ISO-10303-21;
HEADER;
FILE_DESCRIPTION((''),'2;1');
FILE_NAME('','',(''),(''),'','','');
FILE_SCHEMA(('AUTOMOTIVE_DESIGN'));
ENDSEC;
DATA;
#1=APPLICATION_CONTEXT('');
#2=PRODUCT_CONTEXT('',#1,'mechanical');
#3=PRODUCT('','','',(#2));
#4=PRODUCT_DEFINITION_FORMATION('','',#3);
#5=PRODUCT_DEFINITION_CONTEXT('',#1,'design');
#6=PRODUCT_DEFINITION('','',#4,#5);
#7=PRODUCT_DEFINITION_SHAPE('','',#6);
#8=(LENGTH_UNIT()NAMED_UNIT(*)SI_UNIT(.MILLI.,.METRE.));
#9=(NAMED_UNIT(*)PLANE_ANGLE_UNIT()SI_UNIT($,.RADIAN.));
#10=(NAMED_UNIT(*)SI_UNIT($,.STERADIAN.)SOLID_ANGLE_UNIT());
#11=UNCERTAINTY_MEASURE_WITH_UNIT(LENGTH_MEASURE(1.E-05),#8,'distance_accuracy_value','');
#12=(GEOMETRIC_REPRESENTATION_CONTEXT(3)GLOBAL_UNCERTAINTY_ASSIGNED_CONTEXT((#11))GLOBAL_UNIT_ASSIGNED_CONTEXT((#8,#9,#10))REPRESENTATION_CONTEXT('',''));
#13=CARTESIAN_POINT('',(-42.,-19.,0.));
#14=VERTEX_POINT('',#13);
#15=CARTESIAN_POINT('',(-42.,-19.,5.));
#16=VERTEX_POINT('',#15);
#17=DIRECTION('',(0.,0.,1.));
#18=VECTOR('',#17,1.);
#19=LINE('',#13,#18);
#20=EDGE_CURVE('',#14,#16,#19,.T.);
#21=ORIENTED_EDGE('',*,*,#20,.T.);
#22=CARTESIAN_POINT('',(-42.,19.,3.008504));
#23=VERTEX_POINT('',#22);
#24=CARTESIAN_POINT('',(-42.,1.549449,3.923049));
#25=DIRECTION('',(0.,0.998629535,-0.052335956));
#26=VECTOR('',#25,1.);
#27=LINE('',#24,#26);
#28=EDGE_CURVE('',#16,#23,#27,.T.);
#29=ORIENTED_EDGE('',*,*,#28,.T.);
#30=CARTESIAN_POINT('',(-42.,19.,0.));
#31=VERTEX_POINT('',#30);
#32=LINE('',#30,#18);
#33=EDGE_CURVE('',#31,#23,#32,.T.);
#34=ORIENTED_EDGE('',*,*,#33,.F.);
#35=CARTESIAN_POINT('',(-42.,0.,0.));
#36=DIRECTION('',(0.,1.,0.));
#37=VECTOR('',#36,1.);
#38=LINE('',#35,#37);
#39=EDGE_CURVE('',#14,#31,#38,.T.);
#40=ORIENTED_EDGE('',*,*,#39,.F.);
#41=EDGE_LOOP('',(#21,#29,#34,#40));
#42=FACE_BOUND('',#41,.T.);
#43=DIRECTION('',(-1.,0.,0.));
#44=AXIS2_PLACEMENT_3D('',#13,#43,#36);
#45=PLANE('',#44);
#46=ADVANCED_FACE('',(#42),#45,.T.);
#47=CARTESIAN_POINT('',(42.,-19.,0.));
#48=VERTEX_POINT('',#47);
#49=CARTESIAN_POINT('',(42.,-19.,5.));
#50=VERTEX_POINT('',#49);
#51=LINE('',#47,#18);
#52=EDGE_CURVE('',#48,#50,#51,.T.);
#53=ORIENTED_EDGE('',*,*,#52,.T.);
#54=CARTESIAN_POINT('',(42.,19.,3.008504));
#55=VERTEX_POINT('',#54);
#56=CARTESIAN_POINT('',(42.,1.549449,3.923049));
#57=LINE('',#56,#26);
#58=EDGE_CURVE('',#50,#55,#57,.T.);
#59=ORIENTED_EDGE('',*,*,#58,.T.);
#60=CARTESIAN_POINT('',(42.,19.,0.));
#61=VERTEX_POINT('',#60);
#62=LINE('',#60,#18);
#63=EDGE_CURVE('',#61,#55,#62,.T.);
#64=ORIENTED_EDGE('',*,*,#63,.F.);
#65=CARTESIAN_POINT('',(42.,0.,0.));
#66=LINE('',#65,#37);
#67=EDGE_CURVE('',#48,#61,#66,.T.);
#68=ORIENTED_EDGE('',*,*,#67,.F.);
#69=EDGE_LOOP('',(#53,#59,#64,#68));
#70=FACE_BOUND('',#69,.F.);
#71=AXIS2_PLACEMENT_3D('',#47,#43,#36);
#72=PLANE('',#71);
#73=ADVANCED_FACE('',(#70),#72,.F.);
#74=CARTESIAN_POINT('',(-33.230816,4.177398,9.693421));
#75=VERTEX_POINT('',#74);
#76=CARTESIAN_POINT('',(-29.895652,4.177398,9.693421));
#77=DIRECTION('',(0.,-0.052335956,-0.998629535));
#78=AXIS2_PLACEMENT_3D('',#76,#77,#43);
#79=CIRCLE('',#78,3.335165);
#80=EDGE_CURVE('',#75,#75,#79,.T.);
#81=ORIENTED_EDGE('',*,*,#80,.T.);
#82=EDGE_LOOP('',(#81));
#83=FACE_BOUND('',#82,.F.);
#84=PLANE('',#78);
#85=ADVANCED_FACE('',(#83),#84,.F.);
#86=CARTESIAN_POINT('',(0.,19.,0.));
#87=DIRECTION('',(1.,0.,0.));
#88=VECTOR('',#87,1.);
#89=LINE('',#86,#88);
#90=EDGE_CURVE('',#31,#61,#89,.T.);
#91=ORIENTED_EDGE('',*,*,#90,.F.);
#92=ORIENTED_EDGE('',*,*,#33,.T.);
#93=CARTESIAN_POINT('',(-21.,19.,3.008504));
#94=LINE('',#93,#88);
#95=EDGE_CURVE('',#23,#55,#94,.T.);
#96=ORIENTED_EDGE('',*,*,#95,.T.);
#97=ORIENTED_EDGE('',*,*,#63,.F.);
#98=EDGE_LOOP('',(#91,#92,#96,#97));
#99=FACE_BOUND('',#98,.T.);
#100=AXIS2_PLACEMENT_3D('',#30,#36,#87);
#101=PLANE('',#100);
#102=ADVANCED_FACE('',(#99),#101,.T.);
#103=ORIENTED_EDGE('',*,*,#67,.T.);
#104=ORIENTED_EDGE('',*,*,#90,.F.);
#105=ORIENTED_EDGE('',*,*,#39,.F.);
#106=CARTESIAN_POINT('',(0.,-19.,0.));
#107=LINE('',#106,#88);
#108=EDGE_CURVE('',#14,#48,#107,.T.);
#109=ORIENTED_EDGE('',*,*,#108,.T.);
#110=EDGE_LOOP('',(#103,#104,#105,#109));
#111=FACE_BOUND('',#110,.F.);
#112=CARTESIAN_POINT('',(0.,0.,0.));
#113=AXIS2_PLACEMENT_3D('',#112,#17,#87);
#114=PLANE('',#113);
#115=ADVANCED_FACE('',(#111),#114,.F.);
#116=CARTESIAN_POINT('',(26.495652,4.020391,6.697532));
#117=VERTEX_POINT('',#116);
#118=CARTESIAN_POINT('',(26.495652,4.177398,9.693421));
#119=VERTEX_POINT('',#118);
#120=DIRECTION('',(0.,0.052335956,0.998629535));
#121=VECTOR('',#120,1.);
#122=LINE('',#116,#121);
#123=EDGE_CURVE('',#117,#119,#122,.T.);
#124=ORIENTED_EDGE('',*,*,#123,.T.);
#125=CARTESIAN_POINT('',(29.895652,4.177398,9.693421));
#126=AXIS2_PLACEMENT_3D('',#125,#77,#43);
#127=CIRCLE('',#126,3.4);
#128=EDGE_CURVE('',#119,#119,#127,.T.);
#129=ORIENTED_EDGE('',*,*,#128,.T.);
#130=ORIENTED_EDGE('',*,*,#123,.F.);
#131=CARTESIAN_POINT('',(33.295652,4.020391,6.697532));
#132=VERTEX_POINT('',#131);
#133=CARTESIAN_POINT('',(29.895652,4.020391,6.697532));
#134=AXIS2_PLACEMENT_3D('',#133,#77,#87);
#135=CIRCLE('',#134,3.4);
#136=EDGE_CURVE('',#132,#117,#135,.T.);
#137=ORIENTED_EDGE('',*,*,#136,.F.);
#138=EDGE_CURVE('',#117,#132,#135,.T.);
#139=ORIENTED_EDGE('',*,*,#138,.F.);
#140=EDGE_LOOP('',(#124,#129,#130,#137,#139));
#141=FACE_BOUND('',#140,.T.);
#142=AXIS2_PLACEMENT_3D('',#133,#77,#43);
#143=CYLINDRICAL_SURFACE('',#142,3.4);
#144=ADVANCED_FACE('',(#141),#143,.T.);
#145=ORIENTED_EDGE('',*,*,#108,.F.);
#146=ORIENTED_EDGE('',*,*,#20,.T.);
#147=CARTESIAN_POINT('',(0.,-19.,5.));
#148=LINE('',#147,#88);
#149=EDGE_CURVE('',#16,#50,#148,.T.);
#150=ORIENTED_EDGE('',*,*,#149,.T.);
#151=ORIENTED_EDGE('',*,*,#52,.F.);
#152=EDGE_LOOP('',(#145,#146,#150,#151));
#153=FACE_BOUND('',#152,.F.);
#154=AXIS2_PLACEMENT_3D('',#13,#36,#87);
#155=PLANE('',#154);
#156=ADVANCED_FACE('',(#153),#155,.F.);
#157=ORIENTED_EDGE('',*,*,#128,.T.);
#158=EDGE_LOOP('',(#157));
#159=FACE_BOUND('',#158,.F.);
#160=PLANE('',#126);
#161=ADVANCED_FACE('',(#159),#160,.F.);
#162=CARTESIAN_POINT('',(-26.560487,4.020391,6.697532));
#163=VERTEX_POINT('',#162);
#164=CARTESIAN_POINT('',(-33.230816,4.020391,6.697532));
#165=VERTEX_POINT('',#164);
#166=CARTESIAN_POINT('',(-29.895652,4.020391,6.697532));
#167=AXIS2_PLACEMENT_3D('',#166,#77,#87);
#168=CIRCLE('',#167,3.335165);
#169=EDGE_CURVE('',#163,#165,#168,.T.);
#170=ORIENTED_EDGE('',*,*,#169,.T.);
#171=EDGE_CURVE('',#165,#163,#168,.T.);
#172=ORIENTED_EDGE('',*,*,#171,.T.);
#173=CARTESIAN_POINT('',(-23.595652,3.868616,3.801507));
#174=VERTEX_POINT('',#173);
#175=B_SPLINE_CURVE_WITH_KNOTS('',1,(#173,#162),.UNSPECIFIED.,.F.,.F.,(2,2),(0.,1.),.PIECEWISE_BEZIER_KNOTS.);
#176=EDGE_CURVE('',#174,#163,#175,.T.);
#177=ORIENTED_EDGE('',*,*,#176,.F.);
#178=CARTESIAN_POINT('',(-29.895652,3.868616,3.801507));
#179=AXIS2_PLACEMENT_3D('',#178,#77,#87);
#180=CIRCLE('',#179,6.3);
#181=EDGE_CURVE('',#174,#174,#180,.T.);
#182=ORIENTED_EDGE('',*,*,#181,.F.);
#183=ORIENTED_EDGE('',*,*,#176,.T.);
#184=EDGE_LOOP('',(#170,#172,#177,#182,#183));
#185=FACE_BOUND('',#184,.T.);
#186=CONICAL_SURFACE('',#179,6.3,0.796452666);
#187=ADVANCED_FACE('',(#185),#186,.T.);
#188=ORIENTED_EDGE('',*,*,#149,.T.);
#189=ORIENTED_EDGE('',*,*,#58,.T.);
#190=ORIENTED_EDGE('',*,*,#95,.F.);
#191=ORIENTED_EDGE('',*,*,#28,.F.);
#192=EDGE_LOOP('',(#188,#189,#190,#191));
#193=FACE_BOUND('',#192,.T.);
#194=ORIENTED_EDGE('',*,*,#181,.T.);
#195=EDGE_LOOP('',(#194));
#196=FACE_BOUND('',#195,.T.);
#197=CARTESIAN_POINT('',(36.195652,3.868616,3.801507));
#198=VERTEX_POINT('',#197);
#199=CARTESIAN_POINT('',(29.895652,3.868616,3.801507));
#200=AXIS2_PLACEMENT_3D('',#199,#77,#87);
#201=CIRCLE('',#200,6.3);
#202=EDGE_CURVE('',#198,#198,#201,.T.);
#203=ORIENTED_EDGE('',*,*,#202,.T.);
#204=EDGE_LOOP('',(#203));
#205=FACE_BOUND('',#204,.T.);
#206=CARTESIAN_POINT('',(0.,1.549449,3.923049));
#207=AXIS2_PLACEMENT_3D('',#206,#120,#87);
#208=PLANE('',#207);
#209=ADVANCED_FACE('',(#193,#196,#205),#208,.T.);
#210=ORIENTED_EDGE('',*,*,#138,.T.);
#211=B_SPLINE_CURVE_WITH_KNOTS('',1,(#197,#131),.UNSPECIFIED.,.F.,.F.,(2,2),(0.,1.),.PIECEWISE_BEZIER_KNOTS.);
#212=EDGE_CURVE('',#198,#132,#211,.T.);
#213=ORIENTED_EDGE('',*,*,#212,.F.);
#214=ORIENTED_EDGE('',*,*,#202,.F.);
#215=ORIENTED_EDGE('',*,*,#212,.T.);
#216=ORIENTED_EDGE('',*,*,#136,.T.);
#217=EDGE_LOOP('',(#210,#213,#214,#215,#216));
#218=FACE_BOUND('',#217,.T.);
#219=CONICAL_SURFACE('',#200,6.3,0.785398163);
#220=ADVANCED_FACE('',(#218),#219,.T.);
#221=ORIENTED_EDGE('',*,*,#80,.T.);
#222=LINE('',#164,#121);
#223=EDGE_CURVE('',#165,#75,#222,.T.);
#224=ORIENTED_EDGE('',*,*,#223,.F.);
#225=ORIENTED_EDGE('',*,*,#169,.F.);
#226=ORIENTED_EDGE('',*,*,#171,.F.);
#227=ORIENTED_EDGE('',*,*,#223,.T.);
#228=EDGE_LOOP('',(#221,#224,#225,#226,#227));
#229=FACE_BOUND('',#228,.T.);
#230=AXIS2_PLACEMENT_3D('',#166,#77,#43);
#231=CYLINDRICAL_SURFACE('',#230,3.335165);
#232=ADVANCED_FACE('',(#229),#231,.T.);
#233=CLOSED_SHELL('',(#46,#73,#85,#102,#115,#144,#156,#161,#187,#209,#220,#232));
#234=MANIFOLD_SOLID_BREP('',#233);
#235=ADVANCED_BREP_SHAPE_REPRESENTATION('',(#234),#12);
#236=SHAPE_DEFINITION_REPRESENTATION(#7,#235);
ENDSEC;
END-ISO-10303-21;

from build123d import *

# Parameters (mm, degrees)
SKETCH1_W           = 84
SKETCH1_H           = 38
BOSS_EXTRUDE1_DEPTH = 5
SKETCH2_W           = 84
SKETCH2_H           = 41.155299277
CUT_REVOLVE1_ANGLE  = 3
SKETCH3_R           = 6.3
SKETCH5_R           = 3.335164517
SKETCH3_4_R         = 6.3
SKETCH5_4_R         = 3.4
SKETCH5_8_R         = 3.335164517
SKETCH5_8_R_2       = 3.4
BOSS_EXTRUDE2_DEPTH = 3


with BuildPart() as part:
    # Sketch1 → Boss-Extrude1 (new body)
    with BuildSketch(Plane.XY):
        Rectangle(SKETCH1_W, SKETCH1_H)
    extrude(amount=BOSS_EXTRUDE1_DEPTH)

    # Sketch2 → Cut-Revolve1 (revolve, cut)
    with BuildSketch(Plane.XY.offset(5)):
        with Locations((0, 1.577649639)):
            Rectangle(SKETCH2_W, SKETCH2_H)
    revolve(axis=Axis((-42, -19, 5), (-1, 0, 0)), revolution_arc=CUT_REVOLVE1_ANGLE, mode=Mode.SUBTRACT)

    # Sketch3 → Loft2 section 0
    with BuildSketch(Plane(origin=(0, 0.209279164, 3.993284337), x_dir=(1, 0, 0), z_dir=(0, 0.052335956, 0.998629535))):
        with Locations((-29.895651858, 3.664359058)):
            Circle(SKETCH3_R)
    # Sketch5 → Loft2 section 1
    with BuildSketch(Plane(origin=(0, 0.361053437, 6.889309988), x_dir=(-1, 0, 0), z_dir=(0, -0.052335956, -0.998629535))):
        with Locations((29.895651858, 3.664359058)):
            Circle(SKETCH5_R)
    loft()

    # Sketch3<4> → Loft3 section 0
    with BuildSketch(Plane(origin=(0, 0.209279164, 3.993284337), x_dir=(1, 0, 0), z_dir=(0, 0.052335956, 0.998629535))):
        with Locations((29.895651858, 3.664359058)):
            Circle(SKETCH3_4_R)
    # Sketch5<4> → Loft3 section 1
    with BuildSketch(Plane(origin=(0, 0.361053437, 6.889309988), x_dir=(-1, 0, 0), z_dir=(0, -0.052335956, -0.998629535))):
        with Locations((-29.895651858, 3.664359058)):
            Circle(SKETCH5_4_R)
    loft()

    # Sketch5<8> → Boss-Extrude2 (add)
    with BuildSketch(Plane(origin=(0, 0.361053437, 6.889309988), x_dir=(-1, 0, 0), z_dir=(0, -0.052335956, -0.998629535))):
        with Locations((29.895651858, 3.664359058)):
            Circle(SKETCH5_8_R)
        with Locations((-29.895651858, 3.664359058)):
            Circle(SKETCH5_8_R_2)
    extrude(amount=-BOSS_EXTRUDE2_DEPTH)


solid = part.part
